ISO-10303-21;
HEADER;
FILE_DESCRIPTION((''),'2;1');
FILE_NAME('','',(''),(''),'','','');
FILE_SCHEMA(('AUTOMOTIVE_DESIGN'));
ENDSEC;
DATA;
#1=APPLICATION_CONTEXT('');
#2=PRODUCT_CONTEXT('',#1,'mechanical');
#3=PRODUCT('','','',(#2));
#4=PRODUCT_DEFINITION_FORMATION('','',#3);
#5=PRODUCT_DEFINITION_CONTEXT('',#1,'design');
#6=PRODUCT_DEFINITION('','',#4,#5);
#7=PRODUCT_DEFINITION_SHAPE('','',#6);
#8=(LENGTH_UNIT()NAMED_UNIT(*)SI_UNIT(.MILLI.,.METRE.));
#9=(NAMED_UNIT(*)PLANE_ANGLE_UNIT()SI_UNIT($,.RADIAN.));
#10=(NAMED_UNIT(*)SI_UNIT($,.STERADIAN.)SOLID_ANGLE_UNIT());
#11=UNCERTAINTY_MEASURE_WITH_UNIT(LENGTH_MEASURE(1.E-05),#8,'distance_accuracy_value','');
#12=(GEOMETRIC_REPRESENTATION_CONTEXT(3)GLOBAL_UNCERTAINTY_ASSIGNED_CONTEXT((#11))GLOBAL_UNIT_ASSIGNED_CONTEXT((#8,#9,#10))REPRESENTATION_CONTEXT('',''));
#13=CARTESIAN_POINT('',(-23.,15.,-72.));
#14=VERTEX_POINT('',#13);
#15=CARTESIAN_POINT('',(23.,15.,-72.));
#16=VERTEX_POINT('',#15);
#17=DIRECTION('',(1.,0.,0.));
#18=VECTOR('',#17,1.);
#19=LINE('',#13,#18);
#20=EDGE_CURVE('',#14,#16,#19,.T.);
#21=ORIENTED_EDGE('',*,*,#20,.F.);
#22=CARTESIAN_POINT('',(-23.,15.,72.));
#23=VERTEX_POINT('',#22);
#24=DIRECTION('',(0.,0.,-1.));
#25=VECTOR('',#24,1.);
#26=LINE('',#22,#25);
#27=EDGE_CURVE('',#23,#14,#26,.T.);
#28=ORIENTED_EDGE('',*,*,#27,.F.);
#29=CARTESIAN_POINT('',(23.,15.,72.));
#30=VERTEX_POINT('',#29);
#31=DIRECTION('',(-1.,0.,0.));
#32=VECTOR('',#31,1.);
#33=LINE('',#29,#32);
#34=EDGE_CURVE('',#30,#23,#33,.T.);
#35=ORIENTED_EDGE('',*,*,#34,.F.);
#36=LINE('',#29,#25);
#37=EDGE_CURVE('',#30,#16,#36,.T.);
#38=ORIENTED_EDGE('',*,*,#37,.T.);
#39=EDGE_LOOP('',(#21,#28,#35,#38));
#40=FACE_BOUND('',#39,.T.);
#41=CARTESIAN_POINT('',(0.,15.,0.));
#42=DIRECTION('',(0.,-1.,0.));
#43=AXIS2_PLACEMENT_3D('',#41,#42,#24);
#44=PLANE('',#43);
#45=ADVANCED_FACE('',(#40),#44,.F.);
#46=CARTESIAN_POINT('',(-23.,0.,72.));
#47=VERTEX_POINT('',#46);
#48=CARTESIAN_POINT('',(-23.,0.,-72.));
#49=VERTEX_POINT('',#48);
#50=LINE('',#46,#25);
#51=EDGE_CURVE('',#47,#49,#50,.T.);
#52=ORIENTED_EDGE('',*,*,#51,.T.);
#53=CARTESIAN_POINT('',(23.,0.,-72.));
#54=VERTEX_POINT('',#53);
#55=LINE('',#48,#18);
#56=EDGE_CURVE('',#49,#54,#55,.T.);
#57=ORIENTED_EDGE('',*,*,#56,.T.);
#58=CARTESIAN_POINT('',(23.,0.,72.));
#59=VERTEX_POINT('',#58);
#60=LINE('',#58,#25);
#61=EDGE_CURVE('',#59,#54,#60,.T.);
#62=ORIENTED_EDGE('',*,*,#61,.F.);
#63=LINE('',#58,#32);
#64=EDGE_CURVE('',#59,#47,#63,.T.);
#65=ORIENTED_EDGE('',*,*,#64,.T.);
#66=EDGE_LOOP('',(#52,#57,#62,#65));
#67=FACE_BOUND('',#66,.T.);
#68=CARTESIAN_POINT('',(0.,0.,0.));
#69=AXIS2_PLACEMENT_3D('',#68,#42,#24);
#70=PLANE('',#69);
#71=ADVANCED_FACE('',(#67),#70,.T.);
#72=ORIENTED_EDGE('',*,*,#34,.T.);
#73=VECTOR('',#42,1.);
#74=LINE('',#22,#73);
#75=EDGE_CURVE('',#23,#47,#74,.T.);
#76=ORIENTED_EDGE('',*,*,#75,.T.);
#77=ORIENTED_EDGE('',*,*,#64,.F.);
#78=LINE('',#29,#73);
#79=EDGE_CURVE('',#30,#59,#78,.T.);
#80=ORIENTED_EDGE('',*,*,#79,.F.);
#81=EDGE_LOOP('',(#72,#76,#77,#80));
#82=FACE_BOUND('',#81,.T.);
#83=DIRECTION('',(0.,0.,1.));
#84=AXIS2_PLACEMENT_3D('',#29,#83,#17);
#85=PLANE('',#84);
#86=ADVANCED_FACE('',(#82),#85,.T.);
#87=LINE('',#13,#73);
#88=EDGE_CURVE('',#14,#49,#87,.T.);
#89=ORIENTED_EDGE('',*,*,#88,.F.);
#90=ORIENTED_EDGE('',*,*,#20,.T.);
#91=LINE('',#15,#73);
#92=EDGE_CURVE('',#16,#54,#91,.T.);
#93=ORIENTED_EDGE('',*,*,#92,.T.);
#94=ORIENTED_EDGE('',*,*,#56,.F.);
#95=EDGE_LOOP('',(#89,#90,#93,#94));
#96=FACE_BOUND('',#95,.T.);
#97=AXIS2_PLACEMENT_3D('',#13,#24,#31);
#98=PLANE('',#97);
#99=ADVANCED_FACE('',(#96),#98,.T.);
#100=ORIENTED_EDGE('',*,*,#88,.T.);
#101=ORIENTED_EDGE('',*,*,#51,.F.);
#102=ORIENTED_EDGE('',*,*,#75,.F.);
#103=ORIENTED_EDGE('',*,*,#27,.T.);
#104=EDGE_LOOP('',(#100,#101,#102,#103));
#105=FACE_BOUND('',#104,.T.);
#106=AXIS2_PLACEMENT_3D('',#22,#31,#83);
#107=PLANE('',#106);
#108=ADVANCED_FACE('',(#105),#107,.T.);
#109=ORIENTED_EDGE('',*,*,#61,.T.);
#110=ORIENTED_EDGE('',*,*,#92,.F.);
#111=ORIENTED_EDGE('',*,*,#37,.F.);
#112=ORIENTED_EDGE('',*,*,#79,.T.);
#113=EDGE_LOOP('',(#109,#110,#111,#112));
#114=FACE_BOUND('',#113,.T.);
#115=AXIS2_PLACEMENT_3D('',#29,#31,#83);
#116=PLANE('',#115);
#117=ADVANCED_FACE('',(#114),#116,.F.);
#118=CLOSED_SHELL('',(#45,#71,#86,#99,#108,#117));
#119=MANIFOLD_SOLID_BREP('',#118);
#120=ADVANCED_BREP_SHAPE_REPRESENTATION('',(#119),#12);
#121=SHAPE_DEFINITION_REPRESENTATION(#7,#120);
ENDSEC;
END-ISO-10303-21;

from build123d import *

# Parameters (mm, degrees)
SKETCH1_W           = 46
SKETCH1_H           = 144
BOSS_EXTRUDE1_DEPTH = 15


with BuildPart() as part:
    # Sketch1 → Boss-Extrude1 (new body)
    with BuildSketch(Plane(origin=(0, 0, 0), x_dir=(1, 0, 0), z_dir=(0, 1, 0))):
        Rectangle(SKETCH1_W, SKETCH1_H)
    extrude(amount=BOSS_EXTRUDE1_DEPTH)


solid = part.part
